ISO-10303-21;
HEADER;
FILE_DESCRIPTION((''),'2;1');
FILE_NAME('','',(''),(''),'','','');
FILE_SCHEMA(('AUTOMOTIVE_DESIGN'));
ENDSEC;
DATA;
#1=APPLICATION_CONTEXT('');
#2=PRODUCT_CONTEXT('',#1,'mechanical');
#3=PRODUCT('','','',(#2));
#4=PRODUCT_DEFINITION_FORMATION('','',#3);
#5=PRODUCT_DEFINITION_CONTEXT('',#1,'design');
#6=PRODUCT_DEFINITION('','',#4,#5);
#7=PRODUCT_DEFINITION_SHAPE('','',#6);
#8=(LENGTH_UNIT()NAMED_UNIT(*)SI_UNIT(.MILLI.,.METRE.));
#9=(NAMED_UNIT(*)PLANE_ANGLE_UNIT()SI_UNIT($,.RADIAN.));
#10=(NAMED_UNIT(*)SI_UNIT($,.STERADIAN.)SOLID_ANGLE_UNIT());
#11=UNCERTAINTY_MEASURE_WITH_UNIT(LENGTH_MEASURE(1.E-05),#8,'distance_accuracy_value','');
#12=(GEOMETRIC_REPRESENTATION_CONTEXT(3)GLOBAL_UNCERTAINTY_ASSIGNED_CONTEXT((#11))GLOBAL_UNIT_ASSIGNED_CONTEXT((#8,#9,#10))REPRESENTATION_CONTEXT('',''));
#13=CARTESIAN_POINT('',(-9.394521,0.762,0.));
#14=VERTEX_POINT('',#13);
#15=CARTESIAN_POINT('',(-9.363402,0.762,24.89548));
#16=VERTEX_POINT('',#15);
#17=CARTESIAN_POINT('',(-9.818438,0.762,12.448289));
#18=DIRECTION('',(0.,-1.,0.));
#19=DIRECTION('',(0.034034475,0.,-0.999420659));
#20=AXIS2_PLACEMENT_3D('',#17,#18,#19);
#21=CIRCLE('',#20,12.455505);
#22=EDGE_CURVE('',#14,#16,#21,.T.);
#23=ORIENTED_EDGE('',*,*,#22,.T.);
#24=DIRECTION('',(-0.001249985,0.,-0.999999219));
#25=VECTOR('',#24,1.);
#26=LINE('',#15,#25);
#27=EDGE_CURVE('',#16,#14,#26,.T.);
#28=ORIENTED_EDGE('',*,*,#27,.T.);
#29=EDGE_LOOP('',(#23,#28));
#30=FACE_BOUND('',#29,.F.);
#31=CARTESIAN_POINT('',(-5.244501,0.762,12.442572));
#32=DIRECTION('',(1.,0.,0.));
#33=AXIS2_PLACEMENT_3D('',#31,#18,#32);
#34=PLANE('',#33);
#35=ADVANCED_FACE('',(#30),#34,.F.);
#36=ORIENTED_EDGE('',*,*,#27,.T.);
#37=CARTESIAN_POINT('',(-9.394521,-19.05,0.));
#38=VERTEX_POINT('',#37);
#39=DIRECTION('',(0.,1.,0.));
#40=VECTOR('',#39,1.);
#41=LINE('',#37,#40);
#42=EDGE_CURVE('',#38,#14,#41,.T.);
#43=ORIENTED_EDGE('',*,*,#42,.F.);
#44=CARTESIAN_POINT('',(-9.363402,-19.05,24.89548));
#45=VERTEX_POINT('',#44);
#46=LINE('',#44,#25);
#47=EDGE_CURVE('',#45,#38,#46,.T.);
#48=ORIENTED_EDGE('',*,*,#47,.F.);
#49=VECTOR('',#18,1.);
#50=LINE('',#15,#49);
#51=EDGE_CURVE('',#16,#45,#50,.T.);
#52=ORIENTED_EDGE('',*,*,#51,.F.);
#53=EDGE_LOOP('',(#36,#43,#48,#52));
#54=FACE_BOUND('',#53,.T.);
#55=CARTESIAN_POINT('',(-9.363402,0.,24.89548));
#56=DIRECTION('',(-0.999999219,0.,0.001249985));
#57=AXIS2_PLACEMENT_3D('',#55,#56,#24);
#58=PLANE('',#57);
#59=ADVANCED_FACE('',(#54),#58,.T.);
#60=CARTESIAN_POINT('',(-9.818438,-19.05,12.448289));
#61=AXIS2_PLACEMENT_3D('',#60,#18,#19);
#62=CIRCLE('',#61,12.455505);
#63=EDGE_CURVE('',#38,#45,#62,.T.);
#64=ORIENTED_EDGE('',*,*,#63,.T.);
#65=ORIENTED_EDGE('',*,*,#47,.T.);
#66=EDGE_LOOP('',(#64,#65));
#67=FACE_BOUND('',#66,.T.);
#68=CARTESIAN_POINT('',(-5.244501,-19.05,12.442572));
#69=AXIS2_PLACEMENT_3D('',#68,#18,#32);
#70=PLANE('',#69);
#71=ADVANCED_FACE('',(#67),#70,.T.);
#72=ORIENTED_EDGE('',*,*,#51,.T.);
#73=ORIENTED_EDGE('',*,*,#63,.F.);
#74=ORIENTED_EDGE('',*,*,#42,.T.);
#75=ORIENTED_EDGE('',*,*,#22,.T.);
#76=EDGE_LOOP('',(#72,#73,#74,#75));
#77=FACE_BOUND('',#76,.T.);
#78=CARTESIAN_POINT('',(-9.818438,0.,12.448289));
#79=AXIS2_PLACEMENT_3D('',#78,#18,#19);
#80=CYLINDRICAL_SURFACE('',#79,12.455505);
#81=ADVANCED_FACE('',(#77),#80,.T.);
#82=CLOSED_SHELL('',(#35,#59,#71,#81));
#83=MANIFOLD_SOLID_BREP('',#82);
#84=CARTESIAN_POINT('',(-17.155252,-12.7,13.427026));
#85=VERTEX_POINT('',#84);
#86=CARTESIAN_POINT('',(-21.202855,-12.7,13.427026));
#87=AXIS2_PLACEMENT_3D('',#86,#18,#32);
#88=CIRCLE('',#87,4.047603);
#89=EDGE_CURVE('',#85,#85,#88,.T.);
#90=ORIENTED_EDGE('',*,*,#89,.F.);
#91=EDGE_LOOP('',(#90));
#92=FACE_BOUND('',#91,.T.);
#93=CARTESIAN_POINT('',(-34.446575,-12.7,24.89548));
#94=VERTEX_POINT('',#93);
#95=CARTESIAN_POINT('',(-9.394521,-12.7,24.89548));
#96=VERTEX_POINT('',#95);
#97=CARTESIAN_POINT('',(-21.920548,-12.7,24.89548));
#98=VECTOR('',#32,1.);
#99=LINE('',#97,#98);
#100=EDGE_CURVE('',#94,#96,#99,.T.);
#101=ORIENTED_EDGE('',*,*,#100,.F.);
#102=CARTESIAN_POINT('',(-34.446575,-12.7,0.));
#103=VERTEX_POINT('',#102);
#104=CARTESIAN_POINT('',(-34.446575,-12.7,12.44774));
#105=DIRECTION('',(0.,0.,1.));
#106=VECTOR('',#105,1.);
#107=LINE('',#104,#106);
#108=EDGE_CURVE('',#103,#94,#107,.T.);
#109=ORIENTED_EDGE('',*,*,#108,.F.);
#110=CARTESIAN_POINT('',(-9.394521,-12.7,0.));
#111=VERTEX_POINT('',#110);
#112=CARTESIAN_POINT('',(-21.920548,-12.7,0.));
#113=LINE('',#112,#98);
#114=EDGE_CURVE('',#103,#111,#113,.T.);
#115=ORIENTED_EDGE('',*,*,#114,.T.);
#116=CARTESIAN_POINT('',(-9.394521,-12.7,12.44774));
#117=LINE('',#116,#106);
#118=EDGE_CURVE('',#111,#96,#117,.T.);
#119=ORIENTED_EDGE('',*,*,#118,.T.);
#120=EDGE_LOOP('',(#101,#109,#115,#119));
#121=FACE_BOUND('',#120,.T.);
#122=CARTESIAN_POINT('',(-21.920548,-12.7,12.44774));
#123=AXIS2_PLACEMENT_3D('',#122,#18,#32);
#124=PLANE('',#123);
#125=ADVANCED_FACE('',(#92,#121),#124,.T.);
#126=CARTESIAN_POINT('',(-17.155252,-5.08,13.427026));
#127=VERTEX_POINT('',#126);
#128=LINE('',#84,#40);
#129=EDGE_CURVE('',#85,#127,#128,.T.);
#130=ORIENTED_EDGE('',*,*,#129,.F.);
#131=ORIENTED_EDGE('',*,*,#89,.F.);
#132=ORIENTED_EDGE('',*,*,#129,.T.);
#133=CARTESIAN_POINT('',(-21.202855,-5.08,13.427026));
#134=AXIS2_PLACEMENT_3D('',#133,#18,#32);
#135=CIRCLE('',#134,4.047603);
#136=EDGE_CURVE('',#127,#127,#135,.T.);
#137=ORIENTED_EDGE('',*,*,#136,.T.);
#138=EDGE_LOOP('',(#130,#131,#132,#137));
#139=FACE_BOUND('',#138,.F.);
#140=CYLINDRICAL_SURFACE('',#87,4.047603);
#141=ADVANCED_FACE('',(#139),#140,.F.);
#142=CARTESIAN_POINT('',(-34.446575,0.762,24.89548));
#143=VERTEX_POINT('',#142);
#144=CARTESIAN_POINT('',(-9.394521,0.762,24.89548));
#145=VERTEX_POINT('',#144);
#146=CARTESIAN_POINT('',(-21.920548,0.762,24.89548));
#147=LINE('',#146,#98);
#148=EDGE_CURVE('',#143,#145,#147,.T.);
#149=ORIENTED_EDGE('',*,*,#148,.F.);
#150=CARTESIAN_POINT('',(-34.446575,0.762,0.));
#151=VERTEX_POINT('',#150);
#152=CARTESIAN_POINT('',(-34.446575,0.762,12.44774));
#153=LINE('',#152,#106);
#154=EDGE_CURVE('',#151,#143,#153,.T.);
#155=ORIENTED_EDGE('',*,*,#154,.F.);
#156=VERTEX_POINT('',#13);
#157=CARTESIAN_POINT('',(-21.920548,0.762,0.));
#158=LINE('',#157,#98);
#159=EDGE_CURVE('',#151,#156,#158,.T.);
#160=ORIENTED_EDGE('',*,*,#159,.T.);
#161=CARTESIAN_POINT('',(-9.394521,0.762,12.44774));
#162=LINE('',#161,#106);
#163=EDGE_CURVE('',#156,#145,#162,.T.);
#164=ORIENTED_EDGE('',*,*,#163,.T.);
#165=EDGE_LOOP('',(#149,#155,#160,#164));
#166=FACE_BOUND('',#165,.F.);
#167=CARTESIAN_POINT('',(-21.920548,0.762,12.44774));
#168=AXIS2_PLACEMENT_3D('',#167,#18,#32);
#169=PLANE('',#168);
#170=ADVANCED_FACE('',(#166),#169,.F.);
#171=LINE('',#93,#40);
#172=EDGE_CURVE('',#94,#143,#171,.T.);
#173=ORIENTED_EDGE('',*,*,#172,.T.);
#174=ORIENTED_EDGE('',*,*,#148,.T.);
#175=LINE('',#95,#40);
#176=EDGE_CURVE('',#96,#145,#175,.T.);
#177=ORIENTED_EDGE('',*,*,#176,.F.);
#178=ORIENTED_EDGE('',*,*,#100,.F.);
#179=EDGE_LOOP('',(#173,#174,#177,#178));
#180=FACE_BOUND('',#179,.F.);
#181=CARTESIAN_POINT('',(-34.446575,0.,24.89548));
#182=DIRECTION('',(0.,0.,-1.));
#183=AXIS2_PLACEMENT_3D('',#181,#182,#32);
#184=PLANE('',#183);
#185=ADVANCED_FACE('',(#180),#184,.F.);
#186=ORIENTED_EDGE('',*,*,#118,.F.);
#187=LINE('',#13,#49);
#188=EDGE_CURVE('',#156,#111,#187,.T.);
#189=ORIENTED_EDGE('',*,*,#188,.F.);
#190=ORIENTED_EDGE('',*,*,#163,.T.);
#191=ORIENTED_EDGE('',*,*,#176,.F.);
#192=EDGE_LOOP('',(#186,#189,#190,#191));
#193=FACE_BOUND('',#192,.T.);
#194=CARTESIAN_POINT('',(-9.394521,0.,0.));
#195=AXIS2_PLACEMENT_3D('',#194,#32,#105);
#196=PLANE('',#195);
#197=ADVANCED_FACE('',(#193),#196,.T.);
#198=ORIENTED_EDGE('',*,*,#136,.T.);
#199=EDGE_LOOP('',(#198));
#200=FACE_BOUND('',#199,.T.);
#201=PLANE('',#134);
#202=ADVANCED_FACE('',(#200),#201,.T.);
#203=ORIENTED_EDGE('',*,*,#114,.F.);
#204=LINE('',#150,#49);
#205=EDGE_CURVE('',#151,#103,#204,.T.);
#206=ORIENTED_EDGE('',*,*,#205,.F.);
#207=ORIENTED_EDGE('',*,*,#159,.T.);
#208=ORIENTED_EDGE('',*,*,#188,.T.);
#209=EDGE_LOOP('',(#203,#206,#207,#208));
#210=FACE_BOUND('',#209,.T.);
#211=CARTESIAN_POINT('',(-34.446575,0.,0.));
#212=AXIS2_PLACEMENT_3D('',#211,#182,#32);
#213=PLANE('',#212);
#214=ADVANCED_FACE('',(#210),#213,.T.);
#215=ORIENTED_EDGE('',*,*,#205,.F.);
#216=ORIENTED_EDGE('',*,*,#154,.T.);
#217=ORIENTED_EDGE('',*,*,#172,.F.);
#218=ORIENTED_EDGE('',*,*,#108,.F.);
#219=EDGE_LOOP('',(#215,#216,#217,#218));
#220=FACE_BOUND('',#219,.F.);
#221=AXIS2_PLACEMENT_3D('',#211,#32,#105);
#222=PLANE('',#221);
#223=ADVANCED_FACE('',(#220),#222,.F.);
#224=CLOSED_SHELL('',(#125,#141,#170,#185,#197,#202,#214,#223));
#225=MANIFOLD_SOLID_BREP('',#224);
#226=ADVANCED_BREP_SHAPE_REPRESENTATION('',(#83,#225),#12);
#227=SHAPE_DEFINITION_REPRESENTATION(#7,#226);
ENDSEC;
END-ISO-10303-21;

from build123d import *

# Parameters (mm, degrees)
F0_W          = 25.052054
F0_H          = 24.89548
F1_DEPTH      = 12.7
F1_DEPTH_BACK = 0.762
F3_DEPTH      = 19.05
F3_DEPTH_BACK = 0.762
F4_R          = 4.047603
F5_DEPTH      = 7.62


with BuildPart() as f1:
    # F0 (on Front) → F1 (new body, two sides)
    with BuildSketch(Plane.XZ) as f1_sk:
        with Locations((-21.920548, 12.44774)):
            Rectangle(F0_W, F0_H)
    extrude(amount=F1_DEPTH)
    extrude(f1_sk.sketch, amount=-F1_DEPTH_BACK)

    # F4 (on face) → F5 (cut)
    with BuildSketch(Plane.XZ.offset(12.7)):
        with Locations((-21.202855, 13.427026)):
            Circle(F4_R)
    extrude(amount=-F5_DEPTH, mode=Mode.SUBTRACT)


with BuildPart() as f3:
    # F2 (on Front) → F3 (new body, two sides)
    with BuildSketch(Plane.XZ) as f3_sk:
        with BuildLine():
            ThreePointArc((-9.394521, 0), (2.637058, 12.43272), (-9.363402, 24.89548))
            Line((-9.363402, 24.89548), (-9.394521, 0))
        make_face()
    extrude(amount=F3_DEPTH)
    extrude(f3_sk.sketch, amount=-F3_DEPTH_BACK)


solid = Compound([f1.part, f3.part])
